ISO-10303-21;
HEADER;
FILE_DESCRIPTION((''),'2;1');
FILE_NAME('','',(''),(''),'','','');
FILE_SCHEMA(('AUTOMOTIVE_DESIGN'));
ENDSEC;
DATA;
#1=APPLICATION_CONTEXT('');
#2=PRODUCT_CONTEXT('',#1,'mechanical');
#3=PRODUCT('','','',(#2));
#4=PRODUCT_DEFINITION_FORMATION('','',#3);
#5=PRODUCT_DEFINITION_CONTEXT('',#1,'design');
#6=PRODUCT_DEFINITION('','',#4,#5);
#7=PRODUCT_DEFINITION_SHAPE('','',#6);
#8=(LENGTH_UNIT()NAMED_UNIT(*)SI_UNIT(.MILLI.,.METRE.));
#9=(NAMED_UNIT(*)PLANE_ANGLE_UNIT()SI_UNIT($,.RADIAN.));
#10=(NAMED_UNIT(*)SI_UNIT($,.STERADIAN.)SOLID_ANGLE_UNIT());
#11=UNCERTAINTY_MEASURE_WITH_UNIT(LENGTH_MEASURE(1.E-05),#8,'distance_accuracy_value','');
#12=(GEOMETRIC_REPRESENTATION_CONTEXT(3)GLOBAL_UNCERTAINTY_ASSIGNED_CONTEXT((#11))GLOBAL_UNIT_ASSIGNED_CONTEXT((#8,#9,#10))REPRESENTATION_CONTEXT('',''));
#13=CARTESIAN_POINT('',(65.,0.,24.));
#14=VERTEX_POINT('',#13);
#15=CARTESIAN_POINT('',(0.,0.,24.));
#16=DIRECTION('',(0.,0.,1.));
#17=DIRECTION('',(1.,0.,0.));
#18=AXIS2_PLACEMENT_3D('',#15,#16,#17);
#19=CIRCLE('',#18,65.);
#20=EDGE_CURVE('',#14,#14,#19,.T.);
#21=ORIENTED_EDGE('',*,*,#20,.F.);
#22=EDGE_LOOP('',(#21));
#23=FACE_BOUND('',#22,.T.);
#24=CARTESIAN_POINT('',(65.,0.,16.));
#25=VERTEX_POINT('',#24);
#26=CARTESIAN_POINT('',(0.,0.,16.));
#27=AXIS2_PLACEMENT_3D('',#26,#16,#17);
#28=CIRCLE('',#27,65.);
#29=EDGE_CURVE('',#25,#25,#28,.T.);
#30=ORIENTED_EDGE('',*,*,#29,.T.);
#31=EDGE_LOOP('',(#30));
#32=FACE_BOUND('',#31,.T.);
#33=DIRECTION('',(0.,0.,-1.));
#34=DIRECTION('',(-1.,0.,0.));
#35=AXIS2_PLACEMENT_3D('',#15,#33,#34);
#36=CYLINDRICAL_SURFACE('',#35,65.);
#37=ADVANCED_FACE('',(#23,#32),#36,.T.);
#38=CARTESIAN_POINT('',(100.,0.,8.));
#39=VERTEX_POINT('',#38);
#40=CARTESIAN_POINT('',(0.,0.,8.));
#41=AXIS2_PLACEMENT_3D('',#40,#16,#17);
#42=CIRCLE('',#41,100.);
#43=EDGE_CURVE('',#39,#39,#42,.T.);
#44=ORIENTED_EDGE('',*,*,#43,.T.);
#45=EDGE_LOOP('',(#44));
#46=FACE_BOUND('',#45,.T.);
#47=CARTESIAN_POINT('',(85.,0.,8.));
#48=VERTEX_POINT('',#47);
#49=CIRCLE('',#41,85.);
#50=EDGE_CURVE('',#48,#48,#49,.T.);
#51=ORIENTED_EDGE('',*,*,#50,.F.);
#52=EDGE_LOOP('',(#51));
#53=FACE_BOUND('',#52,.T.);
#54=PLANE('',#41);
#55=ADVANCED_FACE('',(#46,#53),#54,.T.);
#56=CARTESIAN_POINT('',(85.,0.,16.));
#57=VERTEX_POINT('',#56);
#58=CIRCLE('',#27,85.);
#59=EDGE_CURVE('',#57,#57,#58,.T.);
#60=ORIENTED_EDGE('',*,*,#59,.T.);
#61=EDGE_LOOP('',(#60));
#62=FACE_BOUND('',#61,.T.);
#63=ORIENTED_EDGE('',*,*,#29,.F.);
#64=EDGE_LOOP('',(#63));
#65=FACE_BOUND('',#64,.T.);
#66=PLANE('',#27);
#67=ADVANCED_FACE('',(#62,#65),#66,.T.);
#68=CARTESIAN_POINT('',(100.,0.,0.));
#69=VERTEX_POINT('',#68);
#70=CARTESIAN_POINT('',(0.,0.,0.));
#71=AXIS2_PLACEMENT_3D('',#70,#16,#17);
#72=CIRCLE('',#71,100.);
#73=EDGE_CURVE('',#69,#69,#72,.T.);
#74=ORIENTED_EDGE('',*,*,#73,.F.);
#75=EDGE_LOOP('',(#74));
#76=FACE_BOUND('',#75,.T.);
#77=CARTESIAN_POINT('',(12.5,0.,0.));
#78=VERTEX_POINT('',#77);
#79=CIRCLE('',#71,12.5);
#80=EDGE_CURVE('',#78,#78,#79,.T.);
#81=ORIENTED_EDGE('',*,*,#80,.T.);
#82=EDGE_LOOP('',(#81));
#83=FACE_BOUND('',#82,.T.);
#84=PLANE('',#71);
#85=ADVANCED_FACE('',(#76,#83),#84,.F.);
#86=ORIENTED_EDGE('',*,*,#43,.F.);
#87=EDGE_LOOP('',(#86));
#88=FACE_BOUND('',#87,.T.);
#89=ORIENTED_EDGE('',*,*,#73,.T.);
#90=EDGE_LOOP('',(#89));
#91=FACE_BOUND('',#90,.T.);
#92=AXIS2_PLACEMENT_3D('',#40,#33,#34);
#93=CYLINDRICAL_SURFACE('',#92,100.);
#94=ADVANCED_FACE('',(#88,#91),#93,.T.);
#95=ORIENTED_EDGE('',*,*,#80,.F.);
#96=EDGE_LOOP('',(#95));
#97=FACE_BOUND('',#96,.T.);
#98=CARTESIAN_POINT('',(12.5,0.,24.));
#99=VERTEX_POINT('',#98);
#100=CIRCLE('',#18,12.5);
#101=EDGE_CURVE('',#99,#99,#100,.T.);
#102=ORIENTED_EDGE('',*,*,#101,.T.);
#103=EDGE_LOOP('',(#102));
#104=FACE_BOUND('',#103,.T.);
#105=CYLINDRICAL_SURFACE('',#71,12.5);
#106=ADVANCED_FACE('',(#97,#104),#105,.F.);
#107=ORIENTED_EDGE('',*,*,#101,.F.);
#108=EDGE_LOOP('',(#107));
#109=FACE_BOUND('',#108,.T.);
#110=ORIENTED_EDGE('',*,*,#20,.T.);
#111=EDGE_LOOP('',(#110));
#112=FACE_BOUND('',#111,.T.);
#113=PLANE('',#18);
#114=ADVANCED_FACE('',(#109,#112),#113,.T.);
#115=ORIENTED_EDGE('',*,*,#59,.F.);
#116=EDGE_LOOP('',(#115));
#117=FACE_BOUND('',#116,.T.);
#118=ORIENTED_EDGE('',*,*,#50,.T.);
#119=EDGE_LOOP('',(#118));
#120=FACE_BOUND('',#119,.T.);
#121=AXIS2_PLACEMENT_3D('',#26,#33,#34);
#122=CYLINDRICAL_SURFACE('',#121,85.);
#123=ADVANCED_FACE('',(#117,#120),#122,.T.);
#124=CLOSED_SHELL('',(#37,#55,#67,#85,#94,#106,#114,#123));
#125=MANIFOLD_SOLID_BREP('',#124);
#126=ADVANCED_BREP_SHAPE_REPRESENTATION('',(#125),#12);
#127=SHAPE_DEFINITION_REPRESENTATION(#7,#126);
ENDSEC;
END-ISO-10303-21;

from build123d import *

# Parameters (mm, degrees)
ESBO_O1_R                = 100
RESSALTO_EXTRUS_O1_DEPTH = 8
ESBO_O4_R                = 85
RESSALTO_EXTRUS_O2_DEPTH = 8
ESBO_O5_R                = 65
RESSALTO_EXTRUS_O4_DEPTH = 8
ESBO_O6_R                = 12.5
CORTE_EXTRUS_O1_DEPTH    = 25


with BuildPart() as part:
    # Esboço1 → Ressalto-extrusão1 (new body)
    with BuildSketch(Plane.XY):
        Circle(ESBO_O1_R)
    extrude(amount=RESSALTO_EXTRUS_O1_DEPTH)

    # Esboço4 → Ressalto-extrusão2 (add)
    with BuildSketch(Plane.XY.offset(8)):
        Circle(ESBO_O4_R)
    extrude(amount=RESSALTO_EXTRUS_O2_DEPTH)

    # Esboço5 → Ressalto-extrusão4 (add)
    with BuildSketch(Plane.XY.offset(16)):
        Circle(ESBO_O5_R)
    extrude(amount=RESSALTO_EXTRUS_O4_DEPTH)

    # Esboço6 → Corte-extrusão1 (cut, through all)
    with BuildSketch(Plane.XY.offset(24)):
        Circle(ESBO_O6_R)
    extrude(amount=-CORTE_EXTRUS_O1_DEPTH, mode=Mode.SUBTRACT)


solid = part.part
